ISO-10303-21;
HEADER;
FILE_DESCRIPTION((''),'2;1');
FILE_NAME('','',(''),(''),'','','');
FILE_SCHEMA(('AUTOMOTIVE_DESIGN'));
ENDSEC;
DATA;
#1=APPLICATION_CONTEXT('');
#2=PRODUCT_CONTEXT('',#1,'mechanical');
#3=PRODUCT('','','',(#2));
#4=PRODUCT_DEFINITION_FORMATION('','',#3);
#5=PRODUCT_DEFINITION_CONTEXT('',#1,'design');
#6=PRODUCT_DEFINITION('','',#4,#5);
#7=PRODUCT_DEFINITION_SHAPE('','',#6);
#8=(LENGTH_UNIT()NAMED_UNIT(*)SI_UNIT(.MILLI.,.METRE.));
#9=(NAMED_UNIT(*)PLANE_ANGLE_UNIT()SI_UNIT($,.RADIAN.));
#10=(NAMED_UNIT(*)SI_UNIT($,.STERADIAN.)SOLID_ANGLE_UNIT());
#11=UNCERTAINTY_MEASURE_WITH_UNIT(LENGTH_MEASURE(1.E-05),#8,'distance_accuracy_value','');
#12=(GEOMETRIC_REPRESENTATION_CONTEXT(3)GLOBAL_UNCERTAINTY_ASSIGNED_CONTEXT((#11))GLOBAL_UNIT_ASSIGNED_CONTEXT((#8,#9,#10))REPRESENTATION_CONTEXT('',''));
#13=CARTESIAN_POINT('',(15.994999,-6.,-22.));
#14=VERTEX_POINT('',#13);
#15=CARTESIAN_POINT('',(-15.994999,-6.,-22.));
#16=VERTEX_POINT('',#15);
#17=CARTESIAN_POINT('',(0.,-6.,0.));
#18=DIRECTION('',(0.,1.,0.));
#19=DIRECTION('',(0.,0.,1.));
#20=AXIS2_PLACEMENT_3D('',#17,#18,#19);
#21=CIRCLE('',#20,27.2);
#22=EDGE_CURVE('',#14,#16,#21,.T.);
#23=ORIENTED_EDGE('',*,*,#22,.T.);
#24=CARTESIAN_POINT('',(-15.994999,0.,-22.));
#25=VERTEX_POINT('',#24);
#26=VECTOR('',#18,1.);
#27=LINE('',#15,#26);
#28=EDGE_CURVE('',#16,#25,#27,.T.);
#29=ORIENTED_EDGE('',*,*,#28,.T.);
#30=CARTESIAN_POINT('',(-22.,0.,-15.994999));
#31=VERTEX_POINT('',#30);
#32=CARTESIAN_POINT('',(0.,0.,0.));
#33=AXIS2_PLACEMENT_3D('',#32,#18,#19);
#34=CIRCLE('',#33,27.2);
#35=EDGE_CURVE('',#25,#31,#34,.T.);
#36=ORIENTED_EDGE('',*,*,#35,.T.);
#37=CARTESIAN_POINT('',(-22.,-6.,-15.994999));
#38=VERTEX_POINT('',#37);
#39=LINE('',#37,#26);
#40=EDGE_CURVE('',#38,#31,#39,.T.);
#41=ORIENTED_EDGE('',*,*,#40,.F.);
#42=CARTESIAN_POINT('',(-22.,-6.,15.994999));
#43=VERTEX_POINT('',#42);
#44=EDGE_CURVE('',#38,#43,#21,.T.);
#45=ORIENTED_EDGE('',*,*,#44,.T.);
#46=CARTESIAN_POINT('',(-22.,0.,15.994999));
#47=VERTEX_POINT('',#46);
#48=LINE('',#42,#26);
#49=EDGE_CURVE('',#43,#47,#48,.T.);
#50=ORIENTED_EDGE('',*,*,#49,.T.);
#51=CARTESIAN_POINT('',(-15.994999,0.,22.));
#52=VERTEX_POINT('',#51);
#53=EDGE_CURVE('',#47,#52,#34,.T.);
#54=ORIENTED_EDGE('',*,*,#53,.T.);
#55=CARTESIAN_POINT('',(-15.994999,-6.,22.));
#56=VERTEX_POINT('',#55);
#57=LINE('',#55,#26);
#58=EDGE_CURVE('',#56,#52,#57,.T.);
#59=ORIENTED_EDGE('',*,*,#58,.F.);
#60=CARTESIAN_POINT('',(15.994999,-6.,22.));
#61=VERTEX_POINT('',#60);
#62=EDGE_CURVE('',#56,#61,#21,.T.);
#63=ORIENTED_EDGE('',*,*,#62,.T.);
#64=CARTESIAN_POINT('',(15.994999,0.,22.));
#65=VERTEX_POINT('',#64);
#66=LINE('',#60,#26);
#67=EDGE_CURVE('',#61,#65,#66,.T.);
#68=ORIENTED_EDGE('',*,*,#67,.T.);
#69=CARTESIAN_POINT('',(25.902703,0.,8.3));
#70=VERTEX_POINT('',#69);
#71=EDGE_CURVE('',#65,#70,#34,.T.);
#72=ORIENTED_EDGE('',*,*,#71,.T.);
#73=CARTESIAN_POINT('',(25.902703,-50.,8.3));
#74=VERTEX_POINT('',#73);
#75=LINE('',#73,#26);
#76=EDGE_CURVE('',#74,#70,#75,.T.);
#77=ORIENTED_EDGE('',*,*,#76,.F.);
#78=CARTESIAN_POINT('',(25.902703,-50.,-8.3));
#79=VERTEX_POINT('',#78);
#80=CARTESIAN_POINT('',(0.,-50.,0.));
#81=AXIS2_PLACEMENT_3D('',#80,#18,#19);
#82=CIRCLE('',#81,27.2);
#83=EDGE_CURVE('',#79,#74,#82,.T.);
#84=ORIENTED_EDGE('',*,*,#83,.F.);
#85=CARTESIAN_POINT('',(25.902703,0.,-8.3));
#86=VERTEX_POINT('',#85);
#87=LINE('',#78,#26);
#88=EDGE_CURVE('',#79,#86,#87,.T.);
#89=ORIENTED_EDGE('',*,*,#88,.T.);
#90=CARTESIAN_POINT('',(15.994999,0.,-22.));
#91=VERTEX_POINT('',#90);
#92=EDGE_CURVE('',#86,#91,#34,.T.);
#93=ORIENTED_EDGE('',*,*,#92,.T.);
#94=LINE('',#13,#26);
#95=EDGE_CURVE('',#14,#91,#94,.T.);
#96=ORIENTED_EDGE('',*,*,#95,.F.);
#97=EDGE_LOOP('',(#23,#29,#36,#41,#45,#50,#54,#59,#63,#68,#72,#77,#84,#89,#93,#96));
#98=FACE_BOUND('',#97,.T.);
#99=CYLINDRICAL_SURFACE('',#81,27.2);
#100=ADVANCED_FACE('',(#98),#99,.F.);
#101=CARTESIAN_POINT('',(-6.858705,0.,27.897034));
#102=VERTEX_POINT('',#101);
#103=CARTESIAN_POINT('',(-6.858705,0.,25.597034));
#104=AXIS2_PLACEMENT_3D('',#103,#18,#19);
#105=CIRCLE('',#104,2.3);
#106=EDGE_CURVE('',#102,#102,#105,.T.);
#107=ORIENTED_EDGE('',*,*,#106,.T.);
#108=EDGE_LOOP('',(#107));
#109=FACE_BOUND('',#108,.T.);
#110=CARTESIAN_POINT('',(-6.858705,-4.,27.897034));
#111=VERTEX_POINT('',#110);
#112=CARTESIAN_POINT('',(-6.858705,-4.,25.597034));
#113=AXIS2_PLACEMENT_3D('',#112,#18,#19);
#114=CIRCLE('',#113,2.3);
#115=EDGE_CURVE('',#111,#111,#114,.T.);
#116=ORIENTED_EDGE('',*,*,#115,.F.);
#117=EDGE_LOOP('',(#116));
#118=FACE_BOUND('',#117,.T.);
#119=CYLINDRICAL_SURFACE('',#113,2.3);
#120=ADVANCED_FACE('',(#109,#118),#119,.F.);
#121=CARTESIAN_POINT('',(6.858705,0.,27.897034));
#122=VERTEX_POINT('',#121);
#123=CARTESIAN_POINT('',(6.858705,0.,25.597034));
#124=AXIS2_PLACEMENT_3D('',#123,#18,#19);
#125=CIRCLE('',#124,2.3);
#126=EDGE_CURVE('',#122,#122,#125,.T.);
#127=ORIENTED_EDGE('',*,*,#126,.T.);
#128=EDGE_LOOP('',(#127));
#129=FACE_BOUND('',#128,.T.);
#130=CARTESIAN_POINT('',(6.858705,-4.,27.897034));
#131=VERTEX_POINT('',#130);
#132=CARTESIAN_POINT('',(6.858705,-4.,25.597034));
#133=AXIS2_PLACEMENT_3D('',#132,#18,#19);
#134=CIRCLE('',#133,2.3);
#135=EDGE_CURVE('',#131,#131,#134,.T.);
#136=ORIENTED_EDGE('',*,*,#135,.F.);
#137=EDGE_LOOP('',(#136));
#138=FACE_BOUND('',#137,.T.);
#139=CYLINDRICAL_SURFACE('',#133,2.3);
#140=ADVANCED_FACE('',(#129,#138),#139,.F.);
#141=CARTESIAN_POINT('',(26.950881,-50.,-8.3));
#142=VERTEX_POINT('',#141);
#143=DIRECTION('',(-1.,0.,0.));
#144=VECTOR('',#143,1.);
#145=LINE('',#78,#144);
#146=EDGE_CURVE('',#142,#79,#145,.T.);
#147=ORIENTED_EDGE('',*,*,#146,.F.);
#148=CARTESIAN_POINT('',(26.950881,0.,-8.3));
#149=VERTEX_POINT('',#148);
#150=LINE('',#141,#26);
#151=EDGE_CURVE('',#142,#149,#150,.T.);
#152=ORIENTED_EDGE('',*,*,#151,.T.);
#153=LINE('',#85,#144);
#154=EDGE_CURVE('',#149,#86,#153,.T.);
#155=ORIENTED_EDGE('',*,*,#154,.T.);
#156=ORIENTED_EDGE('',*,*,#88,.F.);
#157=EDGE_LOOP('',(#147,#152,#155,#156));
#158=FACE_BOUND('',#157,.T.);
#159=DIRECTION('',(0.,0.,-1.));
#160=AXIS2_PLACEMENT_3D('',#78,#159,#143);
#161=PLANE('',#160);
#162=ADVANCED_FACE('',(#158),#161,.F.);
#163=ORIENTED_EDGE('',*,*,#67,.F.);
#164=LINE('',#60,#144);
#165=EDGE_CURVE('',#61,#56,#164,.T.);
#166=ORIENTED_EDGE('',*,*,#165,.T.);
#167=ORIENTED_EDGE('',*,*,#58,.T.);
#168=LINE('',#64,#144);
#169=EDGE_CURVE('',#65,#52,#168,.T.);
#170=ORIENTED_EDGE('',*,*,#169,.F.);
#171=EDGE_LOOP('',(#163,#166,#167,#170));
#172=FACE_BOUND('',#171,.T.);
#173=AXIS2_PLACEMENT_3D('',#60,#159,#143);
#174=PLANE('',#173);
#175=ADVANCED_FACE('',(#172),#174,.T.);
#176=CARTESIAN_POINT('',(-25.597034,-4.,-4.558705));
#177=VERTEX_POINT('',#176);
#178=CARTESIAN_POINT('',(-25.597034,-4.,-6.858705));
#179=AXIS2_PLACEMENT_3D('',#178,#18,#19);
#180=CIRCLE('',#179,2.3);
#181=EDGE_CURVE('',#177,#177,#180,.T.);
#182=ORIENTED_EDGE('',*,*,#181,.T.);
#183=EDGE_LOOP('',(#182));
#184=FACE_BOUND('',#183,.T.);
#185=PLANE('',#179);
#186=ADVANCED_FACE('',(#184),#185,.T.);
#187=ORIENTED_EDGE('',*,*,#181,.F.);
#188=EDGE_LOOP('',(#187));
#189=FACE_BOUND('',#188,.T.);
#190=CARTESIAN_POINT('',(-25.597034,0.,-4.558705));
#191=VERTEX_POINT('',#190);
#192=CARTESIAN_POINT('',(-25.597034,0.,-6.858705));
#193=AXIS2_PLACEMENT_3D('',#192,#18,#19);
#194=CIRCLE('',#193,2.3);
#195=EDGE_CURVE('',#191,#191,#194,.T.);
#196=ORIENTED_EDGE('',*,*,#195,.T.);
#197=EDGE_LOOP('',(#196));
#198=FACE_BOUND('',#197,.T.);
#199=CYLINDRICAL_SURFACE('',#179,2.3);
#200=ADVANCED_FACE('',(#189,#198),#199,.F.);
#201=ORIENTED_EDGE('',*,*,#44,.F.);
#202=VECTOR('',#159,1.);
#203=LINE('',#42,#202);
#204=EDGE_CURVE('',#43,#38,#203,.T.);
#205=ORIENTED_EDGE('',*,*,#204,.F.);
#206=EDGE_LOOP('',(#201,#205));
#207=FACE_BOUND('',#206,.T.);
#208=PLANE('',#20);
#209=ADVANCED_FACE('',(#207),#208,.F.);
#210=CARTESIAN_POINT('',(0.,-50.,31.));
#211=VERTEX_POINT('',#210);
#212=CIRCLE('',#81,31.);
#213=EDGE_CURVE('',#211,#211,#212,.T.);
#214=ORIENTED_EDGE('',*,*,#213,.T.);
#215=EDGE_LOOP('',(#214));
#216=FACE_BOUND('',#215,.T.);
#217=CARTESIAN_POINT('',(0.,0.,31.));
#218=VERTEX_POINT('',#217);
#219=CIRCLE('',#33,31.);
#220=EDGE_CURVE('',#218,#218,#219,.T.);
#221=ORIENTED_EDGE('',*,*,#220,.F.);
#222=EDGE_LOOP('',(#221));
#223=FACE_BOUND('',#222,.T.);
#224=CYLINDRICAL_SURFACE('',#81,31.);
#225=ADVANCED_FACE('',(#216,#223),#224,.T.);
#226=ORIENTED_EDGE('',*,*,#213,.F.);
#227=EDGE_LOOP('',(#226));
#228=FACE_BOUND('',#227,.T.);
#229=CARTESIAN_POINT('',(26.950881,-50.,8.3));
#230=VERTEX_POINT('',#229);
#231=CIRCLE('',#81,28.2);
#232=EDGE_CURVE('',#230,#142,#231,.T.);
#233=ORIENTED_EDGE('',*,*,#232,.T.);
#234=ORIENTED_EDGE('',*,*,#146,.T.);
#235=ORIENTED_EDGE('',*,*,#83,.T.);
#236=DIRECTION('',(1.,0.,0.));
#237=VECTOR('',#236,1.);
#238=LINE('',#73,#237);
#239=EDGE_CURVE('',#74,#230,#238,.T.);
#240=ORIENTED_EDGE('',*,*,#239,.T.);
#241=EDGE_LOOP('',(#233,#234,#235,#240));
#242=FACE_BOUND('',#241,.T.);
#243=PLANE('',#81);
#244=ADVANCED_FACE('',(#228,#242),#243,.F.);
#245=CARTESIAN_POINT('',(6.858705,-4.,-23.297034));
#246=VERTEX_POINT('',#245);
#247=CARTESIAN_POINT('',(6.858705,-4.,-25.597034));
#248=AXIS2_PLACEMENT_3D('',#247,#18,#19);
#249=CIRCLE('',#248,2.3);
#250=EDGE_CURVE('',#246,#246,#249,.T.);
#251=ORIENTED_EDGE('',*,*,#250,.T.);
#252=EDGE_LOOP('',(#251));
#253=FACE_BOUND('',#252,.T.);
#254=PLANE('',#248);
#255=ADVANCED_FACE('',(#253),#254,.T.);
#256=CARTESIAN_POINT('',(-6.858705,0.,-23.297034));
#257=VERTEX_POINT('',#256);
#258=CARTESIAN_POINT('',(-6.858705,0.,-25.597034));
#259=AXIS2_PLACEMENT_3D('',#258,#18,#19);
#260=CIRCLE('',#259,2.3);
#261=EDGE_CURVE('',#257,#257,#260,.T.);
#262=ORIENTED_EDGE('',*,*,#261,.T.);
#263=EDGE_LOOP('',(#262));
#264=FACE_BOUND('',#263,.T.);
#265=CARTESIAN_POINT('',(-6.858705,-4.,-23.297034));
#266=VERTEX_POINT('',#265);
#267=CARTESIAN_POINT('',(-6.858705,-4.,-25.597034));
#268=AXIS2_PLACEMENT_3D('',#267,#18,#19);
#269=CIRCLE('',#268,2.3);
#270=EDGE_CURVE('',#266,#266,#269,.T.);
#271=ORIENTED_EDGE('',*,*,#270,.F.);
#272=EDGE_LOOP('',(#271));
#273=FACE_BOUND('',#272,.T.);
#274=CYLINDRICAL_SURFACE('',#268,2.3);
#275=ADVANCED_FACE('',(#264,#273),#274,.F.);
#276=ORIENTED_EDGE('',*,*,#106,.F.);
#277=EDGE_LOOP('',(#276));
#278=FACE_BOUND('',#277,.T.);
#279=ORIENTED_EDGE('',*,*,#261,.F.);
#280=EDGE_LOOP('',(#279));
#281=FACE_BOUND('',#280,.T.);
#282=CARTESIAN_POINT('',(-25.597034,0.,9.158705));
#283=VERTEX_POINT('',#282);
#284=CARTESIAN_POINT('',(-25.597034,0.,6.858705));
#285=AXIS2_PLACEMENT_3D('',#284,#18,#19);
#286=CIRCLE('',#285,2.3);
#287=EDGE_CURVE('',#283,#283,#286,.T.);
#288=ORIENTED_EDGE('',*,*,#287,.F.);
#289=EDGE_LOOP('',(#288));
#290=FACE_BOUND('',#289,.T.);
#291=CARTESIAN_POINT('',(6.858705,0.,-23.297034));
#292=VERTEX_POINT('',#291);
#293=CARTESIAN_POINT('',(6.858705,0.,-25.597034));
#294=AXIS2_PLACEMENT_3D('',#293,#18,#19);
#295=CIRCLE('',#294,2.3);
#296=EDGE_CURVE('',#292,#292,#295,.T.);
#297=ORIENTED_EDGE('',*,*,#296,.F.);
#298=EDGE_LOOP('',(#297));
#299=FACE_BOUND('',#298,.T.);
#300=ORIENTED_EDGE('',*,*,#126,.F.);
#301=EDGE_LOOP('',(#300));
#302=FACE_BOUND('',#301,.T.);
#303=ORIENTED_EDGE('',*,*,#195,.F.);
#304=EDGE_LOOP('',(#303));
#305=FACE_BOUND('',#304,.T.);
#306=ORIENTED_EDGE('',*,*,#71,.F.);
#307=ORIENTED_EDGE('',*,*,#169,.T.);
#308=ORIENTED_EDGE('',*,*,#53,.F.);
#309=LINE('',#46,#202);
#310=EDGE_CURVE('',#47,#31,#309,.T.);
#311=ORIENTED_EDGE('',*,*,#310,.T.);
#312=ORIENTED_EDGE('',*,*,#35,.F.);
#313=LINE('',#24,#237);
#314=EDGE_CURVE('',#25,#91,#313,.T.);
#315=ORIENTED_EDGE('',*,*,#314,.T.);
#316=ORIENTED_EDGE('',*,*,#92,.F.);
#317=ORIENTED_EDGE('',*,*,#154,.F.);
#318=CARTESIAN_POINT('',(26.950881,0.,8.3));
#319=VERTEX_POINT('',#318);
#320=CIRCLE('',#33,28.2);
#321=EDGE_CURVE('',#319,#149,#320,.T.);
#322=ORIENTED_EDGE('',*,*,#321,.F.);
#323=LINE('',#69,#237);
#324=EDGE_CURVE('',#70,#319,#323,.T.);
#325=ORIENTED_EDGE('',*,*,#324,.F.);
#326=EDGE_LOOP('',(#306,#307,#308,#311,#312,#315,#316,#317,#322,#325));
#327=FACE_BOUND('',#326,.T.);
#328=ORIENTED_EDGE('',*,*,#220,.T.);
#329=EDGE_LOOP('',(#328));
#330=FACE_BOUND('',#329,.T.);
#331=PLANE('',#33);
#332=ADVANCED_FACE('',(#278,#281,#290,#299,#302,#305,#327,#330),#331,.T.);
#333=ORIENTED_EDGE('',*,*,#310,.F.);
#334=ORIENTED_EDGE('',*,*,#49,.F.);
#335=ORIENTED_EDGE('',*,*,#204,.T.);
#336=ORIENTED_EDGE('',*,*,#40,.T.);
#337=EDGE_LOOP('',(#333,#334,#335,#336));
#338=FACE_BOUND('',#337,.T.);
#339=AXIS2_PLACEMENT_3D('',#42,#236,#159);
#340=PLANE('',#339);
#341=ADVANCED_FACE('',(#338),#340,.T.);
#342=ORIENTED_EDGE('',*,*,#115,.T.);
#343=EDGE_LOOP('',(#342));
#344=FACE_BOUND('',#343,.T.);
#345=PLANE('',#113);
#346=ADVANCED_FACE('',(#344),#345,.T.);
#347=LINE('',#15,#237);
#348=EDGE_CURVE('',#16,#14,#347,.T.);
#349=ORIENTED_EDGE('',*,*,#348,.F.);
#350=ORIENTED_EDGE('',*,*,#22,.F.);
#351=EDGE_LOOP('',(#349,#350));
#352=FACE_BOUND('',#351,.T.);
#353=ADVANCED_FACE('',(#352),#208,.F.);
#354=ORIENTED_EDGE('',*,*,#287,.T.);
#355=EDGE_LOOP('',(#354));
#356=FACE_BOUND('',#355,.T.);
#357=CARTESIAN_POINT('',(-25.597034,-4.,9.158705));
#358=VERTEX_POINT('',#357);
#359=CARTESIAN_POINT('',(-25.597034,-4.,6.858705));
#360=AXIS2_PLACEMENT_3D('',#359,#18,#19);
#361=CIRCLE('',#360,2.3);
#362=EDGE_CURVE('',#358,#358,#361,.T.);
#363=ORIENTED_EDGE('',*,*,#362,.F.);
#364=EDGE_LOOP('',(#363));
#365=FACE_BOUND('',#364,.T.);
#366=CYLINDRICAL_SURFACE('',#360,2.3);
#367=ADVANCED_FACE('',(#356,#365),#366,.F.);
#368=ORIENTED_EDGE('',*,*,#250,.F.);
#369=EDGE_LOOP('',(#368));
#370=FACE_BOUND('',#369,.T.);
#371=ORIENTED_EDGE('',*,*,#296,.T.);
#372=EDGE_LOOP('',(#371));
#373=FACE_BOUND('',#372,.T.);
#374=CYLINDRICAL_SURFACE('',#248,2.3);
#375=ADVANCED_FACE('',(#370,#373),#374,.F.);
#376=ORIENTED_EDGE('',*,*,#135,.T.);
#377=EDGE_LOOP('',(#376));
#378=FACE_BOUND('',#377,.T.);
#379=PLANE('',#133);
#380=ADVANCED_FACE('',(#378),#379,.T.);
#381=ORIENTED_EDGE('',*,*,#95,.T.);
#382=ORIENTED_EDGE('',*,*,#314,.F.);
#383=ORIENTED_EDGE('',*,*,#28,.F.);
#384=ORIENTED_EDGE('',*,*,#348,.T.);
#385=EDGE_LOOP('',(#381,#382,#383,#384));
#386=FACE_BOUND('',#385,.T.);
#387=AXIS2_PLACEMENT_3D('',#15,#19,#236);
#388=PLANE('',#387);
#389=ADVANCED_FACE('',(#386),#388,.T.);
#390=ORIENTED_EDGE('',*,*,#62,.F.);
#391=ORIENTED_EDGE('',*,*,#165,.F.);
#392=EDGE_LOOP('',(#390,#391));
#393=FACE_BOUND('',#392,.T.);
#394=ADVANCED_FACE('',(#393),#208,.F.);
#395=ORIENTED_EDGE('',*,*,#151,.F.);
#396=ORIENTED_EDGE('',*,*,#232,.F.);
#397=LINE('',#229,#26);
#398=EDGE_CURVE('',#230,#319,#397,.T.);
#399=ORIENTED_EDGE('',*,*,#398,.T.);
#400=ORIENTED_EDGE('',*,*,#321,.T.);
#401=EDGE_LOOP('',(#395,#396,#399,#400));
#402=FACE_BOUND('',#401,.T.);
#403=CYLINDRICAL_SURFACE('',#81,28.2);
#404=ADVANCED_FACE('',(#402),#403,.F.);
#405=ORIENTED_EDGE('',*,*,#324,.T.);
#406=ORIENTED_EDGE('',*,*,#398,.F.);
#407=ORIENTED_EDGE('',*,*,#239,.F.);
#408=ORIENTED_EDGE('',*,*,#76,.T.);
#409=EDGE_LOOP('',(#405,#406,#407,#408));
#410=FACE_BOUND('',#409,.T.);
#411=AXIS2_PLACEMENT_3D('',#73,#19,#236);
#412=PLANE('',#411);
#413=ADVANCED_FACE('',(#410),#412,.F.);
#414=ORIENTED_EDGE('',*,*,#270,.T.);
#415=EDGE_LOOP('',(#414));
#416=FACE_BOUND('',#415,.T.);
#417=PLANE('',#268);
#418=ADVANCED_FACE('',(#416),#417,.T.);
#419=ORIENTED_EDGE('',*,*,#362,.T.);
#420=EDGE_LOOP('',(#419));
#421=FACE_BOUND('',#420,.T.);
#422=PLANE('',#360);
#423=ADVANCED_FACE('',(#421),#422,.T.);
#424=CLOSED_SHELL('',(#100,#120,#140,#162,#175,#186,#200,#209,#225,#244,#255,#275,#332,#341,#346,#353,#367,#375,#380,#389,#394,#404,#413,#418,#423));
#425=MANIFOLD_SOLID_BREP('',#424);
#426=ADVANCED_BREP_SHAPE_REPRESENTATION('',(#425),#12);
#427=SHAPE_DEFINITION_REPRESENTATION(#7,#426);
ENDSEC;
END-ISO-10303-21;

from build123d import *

# Parameters (mm, degrees)
SKETCH1_R           = 31
BOSS_EXTRUDE1_DEPTH = 50
BOSS_EXTRUDE2_DEPTH = 6
SKETCH3_R           = 2.3
CUT_EXTRUDE1_DEPTH  = 4


with BuildPart() as part:
    # Sketch1 → Boss-Extrude1 (new body)
    with BuildSketch(Plane(origin=(0, 0, 0), x_dir=(1, 0, 0), z_dir=(0, 1, 0))):
        with Locations(Location((0, 0, 0), (0, 0, 270))):
            Circle(SKETCH1_R)
        with BuildLine():
            Line((25.902702562, -8.3), (26.950881247, -8.3))
            ThreePointArc((26.950881247, -8.3), (28.2, 0), (26.950881247, 8.3))
            Line((26.950881247, 8.3), (25.902702562, 8.3))
            ThreePointArc((25.902702562, 8.3), (-27.2, 0), (25.902702562, -8.3))
        make_face(mode=Mode.SUBTRACT)
    extrude(amount=-BOSS_EXTRUDE1_DEPTH)

    # Sketch2 → Boss-Extrude2 (add)
    with BuildSketch(Plane(origin=(0, 0, 0), x_dir=(1, 0, 0), z_dir=(0, 1, 0))):
        with BuildLine():
            Line((15.994999219, -22), (-15.994999219, -22))
            ThreePointArc((-15.994999219, -22), (0, -27.2), (15.994999219, -22))
        make_face()
        with BuildLine():
            Line((-15.994999219, 22), (15.994999219, 22))
            ThreePointArc((15.994999219, 22), (0, 27.2), (-15.994999219, 22))
        make_face()
        with BuildLine():
            Line((-22, -15.994999219), (-22, 15.994999219))
            ThreePointArc((-22, 15.994999219), (-27.2, 0), (-22, -15.994999219))
        make_face()
    extrude(amount=-BOSS_EXTRUDE2_DEPTH)

    # Sketch3 → Cut-Extrude1 (cut)
    with BuildSketch(Plane(origin=(0, 0, 0), x_dir=(1, 0, 0), z_dir=(0, 1, 0))):
        with Locations(Location((-25.597034397, 6.858704695, 0), (0, 0, 270))):
            Circle(SKETCH3_R)
        with Locations(Location((-25.597034397, -6.858704695, 0), (0, 0, 270))):
            Circle(SKETCH3_R)
        with Locations(Location((-6.858704695, 25.597034397, 0), (0, 0, 270))):
            Circle(SKETCH3_R)
        with Locations(Location((6.858704695, 25.597034397, 0), (0, 0, 270))):
            Circle(SKETCH3_R)
        with Locations(Location((6.858704695, -25.597034397, 0), (0, 0, 270))):
            Circle(SKETCH3_R)
        with Locations(Location((-6.858704695, -25.597034397, 0), (0, 0, 270))):
            Circle(SKETCH3_R)
    extrude(amount=-CUT_EXTRUDE1_DEPTH, mode=Mode.SUBTRACT)


solid = part.part
